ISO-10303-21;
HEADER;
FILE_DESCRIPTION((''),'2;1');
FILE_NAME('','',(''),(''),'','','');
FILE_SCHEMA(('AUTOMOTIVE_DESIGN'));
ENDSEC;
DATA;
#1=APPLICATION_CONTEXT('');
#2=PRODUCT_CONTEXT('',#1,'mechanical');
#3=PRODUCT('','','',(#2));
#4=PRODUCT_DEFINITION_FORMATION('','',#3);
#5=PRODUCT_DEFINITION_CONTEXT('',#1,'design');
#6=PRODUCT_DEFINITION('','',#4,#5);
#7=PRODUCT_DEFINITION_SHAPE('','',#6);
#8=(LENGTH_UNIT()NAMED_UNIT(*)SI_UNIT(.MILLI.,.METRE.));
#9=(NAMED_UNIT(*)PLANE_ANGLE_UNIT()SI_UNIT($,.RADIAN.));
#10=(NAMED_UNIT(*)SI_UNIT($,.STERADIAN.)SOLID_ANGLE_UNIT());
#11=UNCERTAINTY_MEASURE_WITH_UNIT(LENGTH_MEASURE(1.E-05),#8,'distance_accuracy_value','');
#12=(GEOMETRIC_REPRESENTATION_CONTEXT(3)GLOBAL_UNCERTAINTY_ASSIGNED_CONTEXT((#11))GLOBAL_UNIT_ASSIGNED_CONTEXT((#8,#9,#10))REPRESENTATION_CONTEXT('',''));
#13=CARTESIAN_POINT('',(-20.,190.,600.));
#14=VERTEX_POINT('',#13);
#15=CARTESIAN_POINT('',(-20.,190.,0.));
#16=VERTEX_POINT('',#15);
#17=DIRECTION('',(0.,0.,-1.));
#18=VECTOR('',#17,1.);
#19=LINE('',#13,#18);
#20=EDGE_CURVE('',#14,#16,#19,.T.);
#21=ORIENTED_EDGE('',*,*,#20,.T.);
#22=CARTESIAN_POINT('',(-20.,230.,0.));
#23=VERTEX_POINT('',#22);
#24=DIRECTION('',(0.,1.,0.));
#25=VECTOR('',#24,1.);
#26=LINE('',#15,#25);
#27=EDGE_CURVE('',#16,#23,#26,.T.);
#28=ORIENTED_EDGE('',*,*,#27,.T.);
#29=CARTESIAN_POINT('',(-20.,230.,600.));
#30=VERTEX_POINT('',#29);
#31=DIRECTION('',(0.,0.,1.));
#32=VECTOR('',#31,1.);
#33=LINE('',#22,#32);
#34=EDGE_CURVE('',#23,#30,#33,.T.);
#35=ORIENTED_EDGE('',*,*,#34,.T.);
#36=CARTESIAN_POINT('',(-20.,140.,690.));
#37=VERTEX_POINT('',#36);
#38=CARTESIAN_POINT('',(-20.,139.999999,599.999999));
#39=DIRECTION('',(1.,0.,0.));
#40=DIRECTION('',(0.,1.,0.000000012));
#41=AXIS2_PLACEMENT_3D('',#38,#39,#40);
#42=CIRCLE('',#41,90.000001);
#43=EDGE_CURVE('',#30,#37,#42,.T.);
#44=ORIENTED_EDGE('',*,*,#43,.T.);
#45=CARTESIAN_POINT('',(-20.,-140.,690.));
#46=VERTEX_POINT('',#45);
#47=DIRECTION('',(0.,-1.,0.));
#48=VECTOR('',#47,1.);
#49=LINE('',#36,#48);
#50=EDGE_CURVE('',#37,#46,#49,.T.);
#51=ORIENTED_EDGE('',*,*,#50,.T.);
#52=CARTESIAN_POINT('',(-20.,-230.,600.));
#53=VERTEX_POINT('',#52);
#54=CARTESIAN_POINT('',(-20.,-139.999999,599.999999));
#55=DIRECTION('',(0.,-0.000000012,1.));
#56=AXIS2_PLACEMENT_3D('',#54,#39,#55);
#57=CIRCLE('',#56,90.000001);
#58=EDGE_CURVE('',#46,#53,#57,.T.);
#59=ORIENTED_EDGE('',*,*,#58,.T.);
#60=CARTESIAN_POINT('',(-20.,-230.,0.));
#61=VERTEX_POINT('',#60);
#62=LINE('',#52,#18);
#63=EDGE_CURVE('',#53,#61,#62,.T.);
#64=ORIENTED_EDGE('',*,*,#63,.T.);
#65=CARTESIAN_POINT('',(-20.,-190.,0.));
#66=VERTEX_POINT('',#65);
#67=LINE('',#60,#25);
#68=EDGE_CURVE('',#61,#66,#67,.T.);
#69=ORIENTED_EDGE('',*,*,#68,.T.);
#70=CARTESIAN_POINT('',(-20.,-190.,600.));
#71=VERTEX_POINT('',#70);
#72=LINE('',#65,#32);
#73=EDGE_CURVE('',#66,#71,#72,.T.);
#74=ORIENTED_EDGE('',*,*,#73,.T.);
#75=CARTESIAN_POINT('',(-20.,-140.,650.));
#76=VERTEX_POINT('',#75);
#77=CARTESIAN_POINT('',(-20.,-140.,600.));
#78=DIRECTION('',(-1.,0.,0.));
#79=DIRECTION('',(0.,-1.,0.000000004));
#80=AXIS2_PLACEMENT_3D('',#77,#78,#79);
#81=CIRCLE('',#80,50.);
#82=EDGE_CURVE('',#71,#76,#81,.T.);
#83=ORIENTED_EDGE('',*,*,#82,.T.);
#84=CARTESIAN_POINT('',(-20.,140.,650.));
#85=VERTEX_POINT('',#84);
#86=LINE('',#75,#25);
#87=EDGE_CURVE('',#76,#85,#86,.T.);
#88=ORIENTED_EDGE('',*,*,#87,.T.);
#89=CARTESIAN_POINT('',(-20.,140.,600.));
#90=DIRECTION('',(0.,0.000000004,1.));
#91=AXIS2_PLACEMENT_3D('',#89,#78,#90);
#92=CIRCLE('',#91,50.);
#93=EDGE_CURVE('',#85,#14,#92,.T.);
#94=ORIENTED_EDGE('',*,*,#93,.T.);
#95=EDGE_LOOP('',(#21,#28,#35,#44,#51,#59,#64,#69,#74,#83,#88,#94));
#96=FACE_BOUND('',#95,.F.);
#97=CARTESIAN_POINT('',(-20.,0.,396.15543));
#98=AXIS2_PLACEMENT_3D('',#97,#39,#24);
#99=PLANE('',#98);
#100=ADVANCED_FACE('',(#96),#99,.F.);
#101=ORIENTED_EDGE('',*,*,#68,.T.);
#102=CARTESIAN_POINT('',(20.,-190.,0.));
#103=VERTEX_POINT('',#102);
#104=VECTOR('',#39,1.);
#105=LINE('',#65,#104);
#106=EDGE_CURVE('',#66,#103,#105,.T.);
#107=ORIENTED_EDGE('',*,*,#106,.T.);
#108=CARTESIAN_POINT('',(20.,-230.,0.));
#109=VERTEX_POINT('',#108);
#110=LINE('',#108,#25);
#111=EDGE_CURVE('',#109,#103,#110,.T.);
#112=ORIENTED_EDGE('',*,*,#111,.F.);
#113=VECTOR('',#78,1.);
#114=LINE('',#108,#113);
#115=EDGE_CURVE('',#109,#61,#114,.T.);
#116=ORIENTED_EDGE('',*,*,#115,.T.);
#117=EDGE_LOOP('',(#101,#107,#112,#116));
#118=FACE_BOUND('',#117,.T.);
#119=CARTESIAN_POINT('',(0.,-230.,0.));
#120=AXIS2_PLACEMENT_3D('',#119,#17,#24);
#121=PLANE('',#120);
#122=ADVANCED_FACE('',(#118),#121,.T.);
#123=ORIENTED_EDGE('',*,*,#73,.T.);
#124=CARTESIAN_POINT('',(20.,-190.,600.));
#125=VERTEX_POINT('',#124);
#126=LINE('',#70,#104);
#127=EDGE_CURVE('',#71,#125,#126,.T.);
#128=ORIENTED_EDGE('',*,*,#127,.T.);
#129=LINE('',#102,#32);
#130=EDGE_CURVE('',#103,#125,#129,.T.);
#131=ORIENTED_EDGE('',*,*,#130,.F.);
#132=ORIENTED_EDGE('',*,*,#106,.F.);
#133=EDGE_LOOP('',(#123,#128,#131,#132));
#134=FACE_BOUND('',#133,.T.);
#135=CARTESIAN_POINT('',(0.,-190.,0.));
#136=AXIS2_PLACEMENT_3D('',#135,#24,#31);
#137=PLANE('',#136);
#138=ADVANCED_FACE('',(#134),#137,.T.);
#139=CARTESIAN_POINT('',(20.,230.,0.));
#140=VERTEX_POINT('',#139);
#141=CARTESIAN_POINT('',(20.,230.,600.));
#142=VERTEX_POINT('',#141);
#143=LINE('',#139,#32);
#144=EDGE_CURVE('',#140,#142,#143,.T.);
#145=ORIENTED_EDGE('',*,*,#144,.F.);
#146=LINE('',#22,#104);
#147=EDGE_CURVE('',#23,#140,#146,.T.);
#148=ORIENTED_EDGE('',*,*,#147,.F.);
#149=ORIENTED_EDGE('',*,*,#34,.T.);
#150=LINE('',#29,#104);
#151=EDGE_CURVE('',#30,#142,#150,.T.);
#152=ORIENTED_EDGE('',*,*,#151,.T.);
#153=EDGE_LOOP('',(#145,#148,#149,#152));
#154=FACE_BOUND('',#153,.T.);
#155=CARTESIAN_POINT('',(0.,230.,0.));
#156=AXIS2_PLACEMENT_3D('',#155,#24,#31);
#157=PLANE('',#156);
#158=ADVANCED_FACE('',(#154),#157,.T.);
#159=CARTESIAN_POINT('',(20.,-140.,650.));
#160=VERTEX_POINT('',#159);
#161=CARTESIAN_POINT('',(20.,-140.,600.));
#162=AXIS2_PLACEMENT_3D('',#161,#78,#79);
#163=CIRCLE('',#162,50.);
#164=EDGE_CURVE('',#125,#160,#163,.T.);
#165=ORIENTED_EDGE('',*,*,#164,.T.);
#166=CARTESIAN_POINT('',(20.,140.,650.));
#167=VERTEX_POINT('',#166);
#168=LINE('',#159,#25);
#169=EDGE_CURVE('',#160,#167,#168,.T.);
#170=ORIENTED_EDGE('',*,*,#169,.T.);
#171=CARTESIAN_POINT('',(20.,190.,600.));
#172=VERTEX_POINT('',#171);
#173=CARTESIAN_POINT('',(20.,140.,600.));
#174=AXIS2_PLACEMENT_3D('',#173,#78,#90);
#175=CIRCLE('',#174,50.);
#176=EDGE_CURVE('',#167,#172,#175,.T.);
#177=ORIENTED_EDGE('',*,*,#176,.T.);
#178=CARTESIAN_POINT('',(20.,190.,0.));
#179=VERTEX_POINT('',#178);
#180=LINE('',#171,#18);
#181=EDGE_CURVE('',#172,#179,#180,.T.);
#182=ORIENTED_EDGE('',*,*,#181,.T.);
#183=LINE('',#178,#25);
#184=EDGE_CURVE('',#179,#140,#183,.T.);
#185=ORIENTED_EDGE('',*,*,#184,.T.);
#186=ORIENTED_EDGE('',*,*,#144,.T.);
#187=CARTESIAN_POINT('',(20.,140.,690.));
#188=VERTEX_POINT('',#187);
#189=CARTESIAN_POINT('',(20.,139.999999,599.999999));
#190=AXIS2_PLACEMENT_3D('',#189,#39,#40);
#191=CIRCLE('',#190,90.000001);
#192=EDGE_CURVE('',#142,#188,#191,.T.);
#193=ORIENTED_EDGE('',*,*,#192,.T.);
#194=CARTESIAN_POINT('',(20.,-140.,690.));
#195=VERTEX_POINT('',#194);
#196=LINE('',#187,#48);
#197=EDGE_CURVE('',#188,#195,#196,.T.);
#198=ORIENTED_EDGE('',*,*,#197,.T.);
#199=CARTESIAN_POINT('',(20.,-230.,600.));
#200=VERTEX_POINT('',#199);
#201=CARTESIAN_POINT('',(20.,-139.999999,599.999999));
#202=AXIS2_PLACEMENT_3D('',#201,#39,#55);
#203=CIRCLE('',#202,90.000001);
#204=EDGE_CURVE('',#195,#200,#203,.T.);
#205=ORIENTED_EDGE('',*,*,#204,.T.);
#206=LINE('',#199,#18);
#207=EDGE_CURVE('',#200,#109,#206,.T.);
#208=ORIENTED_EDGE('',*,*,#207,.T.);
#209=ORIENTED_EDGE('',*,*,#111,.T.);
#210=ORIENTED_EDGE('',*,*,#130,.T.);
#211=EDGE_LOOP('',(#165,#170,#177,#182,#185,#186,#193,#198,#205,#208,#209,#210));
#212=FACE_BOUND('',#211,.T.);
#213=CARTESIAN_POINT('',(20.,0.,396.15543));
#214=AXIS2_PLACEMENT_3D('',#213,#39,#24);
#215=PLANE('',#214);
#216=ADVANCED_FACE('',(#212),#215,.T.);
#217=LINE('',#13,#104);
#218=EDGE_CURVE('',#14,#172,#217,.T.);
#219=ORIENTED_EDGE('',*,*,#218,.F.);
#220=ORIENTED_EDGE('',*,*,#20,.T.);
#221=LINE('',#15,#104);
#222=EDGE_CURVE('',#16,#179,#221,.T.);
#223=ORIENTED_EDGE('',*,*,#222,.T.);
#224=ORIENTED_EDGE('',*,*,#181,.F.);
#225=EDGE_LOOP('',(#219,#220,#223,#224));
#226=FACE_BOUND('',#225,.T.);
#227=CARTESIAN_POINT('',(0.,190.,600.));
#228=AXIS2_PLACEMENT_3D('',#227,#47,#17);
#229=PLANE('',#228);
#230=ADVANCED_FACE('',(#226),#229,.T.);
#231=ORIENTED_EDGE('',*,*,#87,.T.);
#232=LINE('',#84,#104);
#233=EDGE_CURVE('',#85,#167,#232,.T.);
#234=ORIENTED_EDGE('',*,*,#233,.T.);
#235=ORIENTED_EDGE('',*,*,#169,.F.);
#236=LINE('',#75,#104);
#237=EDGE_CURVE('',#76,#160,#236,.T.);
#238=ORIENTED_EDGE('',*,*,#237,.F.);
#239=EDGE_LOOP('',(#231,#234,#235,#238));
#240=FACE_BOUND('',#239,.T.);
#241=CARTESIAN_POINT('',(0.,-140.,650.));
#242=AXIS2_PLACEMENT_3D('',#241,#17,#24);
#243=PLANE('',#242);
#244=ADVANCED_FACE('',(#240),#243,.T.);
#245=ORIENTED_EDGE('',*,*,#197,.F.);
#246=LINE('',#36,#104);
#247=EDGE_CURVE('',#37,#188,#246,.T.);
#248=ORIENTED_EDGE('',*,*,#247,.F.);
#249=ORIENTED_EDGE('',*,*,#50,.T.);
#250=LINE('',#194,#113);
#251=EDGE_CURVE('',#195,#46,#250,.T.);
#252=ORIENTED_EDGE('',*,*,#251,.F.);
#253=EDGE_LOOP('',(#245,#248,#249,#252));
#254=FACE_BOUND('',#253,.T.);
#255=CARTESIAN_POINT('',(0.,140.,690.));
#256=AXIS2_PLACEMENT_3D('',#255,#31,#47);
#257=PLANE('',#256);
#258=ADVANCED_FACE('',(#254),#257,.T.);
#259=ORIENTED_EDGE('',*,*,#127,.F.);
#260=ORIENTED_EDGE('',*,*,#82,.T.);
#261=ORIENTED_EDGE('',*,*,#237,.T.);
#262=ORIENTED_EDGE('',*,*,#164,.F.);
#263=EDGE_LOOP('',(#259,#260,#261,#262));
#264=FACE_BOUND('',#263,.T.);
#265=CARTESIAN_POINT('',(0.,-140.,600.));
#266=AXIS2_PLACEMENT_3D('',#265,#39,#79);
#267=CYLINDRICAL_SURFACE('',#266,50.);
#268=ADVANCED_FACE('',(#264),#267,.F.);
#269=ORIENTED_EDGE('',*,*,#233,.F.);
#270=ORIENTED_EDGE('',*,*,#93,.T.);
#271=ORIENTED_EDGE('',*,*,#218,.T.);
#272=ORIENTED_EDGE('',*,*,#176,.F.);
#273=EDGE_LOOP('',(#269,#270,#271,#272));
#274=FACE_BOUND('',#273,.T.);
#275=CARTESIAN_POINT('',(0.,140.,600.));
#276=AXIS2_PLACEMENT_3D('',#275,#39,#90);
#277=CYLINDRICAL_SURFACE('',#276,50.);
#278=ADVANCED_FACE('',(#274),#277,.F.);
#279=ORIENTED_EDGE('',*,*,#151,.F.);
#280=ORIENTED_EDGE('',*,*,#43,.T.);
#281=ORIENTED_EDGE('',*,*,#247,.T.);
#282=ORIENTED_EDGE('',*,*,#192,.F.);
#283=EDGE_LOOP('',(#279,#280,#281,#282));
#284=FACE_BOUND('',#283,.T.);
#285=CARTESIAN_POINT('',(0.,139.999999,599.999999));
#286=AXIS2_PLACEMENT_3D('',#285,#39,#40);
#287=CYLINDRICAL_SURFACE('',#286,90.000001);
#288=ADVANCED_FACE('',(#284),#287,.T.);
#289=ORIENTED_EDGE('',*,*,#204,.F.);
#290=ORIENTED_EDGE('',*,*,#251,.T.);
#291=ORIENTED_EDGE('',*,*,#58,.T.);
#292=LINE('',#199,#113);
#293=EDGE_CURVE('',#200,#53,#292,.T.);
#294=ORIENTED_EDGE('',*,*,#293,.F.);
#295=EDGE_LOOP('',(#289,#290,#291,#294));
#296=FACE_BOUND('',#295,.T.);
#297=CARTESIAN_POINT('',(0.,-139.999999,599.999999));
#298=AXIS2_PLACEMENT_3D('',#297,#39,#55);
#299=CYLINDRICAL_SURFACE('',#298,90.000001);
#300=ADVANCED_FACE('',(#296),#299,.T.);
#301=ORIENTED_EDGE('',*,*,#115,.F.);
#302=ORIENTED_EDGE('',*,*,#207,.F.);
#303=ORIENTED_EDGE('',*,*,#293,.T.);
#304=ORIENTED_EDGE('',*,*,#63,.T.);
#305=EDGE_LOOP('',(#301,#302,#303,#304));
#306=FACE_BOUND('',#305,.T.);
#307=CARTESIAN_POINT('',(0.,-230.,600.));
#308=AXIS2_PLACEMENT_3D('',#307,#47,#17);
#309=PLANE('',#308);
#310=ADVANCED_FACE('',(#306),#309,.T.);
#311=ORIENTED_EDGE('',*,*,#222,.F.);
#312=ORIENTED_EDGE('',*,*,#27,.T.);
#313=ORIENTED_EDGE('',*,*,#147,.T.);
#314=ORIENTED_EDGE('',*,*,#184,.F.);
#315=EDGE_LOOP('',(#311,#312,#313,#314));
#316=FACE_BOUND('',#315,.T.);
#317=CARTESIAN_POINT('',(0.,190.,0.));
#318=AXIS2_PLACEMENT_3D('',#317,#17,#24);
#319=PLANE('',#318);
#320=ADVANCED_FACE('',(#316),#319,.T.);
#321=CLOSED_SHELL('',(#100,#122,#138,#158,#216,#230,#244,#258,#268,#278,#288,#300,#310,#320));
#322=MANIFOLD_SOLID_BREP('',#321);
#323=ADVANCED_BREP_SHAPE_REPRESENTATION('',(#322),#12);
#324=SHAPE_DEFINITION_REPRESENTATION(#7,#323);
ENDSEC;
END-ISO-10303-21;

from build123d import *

# Parameters (mm, degrees)
F1_DEPTH = 20


with BuildPart() as f1:
    # F0 (on Right) → F1 (new body, symmetric)
    with BuildSketch(Plane.YZ):
        with BuildLine():
            Line((-230, 0), (-190, 0))
            Line((-190, 0), (-190, 600))
            ThreePointArc((-190, 600), (-175.355339, 635.355339), (-140, 650))
            Line((-140, 650), (140, 650))
            ThreePointArc((140, 650), (175.355339, 635.355339), (190, 600))
            Line((190, 600), (190, 0))
            Line((190, 0), (230, 0))
            Line((230, 0), (230, 600))
            ThreePointArc((230, 600), (203.63961, 663.63961), (140, 690))
            Line((140, 690), (-140, 690))
            ThreePointArc((-140, 690), (-203.63961, 663.63961), (-230, 600))
            Line((-230, 600), (-230, 0))
        make_face()
    extrude(amount=F1_DEPTH, both=True)


solid = f1.part
